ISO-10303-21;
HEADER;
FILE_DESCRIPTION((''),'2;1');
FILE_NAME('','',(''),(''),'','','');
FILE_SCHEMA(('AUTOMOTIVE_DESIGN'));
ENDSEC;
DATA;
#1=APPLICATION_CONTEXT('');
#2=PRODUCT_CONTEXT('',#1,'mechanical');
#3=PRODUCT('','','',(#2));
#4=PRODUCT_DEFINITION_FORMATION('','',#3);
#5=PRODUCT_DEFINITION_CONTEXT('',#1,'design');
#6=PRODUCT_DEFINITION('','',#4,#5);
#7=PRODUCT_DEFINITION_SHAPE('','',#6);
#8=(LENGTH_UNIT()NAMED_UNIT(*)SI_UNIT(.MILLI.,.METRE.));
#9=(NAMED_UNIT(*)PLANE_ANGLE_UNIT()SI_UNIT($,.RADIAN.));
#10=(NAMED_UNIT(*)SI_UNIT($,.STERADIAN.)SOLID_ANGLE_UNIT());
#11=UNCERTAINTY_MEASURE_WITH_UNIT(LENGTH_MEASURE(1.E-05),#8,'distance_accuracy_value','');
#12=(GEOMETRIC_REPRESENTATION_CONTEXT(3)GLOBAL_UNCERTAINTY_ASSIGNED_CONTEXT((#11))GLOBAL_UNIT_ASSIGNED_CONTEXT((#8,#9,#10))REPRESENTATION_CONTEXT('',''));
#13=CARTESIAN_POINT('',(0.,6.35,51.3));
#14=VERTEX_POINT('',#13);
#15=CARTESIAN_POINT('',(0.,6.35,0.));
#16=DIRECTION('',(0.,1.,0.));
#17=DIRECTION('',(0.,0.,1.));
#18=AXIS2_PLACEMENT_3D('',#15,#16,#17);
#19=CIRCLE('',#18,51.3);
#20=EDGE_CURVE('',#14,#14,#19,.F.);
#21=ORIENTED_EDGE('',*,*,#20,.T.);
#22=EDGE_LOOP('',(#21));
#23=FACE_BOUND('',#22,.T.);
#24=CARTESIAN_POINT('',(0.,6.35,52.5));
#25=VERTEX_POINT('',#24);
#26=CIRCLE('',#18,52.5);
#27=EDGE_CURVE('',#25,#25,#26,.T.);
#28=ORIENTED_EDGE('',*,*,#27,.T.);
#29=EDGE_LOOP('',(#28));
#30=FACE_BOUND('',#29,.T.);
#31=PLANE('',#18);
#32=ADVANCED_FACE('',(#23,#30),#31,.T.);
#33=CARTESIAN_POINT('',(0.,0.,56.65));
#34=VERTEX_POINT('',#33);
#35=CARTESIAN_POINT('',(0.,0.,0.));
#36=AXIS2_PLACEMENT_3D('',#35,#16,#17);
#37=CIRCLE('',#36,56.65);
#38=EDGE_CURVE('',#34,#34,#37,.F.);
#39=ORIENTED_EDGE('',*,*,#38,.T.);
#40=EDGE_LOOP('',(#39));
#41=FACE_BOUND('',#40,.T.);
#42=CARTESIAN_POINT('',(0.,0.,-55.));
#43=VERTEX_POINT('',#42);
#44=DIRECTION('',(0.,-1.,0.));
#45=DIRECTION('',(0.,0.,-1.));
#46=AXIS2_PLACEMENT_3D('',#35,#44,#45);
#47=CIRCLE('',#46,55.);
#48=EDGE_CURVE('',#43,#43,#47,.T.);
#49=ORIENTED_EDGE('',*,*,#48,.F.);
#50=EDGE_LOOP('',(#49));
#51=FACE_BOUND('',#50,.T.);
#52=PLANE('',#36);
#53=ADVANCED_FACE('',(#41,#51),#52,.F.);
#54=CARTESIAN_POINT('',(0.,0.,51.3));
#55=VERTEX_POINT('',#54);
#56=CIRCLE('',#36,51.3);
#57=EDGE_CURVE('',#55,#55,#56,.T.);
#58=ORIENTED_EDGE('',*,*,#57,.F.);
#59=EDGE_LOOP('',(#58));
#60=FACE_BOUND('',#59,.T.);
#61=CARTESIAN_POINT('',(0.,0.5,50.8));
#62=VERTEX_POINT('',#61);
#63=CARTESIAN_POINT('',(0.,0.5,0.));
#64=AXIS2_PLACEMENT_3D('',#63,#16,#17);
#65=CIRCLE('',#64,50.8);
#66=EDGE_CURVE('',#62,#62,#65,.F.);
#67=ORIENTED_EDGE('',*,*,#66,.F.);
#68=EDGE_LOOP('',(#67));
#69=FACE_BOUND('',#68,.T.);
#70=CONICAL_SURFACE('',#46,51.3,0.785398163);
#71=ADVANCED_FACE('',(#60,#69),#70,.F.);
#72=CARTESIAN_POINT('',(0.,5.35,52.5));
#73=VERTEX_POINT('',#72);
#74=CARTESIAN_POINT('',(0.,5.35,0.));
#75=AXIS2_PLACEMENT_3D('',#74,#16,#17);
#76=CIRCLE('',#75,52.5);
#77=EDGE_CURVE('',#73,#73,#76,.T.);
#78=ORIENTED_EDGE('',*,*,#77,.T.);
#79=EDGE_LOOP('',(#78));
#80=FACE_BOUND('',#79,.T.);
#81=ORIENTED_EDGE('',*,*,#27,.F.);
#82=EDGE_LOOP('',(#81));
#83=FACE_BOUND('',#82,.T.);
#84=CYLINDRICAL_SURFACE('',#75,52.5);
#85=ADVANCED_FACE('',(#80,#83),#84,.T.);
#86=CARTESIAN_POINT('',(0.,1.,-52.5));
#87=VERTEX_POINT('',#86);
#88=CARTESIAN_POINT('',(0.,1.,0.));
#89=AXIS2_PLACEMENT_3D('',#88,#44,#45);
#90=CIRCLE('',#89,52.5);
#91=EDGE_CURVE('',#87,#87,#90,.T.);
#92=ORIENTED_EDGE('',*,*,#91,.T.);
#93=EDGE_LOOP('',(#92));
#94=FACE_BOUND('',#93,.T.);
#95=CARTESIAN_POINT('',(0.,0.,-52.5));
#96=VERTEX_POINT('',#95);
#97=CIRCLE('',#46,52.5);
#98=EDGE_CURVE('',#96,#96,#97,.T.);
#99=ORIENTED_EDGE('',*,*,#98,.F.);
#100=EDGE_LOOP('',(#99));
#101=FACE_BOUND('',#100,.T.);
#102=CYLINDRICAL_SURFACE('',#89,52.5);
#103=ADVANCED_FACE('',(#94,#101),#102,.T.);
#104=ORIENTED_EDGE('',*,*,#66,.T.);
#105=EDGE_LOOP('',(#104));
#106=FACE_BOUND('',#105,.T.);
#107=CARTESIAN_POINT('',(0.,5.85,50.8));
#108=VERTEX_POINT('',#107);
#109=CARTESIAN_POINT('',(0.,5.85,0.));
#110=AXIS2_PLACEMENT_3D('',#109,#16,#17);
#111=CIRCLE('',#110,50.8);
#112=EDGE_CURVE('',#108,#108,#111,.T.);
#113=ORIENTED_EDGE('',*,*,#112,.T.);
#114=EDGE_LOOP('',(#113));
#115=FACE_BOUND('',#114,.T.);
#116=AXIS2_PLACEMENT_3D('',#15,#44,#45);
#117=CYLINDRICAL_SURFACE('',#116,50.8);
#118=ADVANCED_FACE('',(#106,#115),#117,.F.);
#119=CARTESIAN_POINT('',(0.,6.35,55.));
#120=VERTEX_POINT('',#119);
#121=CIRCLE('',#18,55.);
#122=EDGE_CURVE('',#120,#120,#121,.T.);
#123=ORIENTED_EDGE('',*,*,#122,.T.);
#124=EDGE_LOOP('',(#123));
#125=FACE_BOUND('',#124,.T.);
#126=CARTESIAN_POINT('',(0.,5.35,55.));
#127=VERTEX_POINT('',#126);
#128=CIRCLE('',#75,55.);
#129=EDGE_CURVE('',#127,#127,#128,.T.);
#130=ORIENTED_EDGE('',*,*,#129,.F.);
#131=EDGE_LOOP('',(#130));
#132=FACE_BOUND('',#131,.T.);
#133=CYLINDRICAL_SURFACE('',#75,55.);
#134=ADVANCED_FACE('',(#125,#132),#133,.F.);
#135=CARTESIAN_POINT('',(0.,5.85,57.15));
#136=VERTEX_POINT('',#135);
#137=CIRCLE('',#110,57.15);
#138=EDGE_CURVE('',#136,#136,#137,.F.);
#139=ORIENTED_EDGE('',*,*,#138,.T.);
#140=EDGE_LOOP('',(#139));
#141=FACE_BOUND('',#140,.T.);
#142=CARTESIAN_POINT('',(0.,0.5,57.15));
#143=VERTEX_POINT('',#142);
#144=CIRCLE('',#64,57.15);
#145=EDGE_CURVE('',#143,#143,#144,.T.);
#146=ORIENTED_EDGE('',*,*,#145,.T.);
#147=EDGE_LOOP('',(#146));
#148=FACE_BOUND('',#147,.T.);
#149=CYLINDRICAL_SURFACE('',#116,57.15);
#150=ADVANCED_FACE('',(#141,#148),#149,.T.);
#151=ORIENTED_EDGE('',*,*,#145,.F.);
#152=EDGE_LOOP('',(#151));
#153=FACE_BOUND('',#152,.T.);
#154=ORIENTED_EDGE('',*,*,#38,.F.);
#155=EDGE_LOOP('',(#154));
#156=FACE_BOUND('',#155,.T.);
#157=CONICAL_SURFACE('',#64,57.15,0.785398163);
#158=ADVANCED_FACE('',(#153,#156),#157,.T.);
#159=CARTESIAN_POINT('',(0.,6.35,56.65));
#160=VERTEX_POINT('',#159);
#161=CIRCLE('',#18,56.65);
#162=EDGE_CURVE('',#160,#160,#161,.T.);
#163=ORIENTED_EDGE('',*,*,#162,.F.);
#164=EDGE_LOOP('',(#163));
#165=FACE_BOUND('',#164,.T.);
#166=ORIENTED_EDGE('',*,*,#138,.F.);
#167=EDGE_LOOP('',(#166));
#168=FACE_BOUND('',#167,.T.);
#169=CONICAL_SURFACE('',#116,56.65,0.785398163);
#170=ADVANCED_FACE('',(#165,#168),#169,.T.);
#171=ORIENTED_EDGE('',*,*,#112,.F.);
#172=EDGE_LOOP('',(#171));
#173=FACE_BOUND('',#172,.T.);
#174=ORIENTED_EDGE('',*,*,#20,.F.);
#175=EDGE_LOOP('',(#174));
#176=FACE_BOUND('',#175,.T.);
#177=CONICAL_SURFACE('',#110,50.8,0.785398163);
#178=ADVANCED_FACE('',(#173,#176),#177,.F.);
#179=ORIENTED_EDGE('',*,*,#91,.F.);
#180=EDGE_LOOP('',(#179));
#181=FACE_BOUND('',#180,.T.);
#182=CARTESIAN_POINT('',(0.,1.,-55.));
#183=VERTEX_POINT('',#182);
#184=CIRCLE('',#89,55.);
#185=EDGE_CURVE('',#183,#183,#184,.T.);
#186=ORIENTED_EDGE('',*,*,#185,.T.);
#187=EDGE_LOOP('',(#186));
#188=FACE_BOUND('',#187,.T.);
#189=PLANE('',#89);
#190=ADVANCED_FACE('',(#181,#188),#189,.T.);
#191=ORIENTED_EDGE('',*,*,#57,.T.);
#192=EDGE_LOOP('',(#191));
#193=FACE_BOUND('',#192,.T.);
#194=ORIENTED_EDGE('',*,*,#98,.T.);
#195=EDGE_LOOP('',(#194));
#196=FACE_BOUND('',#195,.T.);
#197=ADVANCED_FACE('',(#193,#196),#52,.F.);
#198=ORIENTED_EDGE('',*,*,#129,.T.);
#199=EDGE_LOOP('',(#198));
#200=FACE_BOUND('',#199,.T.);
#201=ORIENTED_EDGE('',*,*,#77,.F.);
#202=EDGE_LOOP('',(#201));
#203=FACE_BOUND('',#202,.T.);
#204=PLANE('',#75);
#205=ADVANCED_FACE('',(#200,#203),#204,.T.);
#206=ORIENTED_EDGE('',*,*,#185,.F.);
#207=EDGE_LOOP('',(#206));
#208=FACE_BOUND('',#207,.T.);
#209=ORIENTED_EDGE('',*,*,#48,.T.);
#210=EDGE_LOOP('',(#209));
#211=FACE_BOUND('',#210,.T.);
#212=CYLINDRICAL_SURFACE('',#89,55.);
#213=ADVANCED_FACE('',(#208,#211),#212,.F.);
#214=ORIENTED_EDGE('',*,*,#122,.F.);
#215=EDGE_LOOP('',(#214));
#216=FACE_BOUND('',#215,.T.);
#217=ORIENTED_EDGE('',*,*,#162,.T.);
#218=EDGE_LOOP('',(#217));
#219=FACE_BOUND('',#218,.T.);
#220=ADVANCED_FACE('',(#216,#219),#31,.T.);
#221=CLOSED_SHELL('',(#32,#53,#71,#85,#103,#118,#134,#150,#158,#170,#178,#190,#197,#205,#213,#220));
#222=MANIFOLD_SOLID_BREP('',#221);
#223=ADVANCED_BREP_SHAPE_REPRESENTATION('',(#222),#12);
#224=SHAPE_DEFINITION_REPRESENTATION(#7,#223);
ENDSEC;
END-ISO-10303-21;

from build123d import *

# Parameters (mm, degrees)
SKETCH_1_R          = 57.15
SKETCH_1_R_2        = 50.8
EXTRUDE_1_DEPTH     = 6.35
SKETCH_2_R          = 55
SKETCH_2_R_2        = 52.5
CUT_EXTRUDE_1_DEPTH = 1
CUT_EXTRUDE_START   = -1
SKETCH_3_R          = 55
SKETCH_3_R_2        = 52.5
CUT_EXTRUDE_2_DEPTH = 1
CHAMFER_1_SIZE      = 0.5


with BuildPart() as part:
    # 草图1 → 凸台-拉伸1 (new body)
    with BuildSketch(Plane(origin=(0, 0, 0), x_dir=(1, 0, 0), z_dir=(0, 1, 0))):
        with Locations(Location((0, 0, 0), (0, 0, 270))):
            Circle(SKETCH_1_R)
        with Locations(Location((0, 0, 0), (0, 0, 270))):
            Circle(SKETCH_1_R_2, mode=Mode.SUBTRACT)
    extrude(amount=EXTRUDE_1_DEPTH)

    # 草图2 → 切除-拉伸1 (cut)
    with BuildSketch(Plane(origin=(0, 6.35, 0), x_dir=(1, 0, 0), z_dir=(0, 1, 0))):
        with Locations(Location((0, 0, 0), (0, 0, 270))):
            Circle(SKETCH_2_R)
        with Locations(Location((0, 0, 0), (0, 0, 270))):
            Circle(SKETCH_2_R_2, mode=Mode.SUBTRACT)
    extrude(amount=-CUT_EXTRUDE_1_DEPTH, mode=Mode.SUBTRACT)

    # 草图3 → 切除-拉伸2 (cut)
    with BuildSketch(Plane.XZ.offset(CUT_EXTRUDE_START)):
        with Locations(Location((0, 0, 0), (0, 0, 90))):
            Circle(SKETCH_3_R)
        with Locations(Location((0, 0, 0), (0, 0, 90))):
            Circle(SKETCH_3_R_2, mode=Mode.SUBTRACT)
    extrude(amount=CUT_EXTRUDE_2_DEPTH, mode=Mode.SUBTRACT)

    # 倒角1
    chamfer_1_edges = [part.edges().sort_by_distance(p)[0] for p in [
        (0, 0, -57.15),
        (0, 6.35, -57.15),
        (0, 0, -50.8),
        (0, 6.35, -50.8),
    ]]
    chamfer(chamfer_1_edges, length=CHAMFER_1_SIZE)


solid = part.part
